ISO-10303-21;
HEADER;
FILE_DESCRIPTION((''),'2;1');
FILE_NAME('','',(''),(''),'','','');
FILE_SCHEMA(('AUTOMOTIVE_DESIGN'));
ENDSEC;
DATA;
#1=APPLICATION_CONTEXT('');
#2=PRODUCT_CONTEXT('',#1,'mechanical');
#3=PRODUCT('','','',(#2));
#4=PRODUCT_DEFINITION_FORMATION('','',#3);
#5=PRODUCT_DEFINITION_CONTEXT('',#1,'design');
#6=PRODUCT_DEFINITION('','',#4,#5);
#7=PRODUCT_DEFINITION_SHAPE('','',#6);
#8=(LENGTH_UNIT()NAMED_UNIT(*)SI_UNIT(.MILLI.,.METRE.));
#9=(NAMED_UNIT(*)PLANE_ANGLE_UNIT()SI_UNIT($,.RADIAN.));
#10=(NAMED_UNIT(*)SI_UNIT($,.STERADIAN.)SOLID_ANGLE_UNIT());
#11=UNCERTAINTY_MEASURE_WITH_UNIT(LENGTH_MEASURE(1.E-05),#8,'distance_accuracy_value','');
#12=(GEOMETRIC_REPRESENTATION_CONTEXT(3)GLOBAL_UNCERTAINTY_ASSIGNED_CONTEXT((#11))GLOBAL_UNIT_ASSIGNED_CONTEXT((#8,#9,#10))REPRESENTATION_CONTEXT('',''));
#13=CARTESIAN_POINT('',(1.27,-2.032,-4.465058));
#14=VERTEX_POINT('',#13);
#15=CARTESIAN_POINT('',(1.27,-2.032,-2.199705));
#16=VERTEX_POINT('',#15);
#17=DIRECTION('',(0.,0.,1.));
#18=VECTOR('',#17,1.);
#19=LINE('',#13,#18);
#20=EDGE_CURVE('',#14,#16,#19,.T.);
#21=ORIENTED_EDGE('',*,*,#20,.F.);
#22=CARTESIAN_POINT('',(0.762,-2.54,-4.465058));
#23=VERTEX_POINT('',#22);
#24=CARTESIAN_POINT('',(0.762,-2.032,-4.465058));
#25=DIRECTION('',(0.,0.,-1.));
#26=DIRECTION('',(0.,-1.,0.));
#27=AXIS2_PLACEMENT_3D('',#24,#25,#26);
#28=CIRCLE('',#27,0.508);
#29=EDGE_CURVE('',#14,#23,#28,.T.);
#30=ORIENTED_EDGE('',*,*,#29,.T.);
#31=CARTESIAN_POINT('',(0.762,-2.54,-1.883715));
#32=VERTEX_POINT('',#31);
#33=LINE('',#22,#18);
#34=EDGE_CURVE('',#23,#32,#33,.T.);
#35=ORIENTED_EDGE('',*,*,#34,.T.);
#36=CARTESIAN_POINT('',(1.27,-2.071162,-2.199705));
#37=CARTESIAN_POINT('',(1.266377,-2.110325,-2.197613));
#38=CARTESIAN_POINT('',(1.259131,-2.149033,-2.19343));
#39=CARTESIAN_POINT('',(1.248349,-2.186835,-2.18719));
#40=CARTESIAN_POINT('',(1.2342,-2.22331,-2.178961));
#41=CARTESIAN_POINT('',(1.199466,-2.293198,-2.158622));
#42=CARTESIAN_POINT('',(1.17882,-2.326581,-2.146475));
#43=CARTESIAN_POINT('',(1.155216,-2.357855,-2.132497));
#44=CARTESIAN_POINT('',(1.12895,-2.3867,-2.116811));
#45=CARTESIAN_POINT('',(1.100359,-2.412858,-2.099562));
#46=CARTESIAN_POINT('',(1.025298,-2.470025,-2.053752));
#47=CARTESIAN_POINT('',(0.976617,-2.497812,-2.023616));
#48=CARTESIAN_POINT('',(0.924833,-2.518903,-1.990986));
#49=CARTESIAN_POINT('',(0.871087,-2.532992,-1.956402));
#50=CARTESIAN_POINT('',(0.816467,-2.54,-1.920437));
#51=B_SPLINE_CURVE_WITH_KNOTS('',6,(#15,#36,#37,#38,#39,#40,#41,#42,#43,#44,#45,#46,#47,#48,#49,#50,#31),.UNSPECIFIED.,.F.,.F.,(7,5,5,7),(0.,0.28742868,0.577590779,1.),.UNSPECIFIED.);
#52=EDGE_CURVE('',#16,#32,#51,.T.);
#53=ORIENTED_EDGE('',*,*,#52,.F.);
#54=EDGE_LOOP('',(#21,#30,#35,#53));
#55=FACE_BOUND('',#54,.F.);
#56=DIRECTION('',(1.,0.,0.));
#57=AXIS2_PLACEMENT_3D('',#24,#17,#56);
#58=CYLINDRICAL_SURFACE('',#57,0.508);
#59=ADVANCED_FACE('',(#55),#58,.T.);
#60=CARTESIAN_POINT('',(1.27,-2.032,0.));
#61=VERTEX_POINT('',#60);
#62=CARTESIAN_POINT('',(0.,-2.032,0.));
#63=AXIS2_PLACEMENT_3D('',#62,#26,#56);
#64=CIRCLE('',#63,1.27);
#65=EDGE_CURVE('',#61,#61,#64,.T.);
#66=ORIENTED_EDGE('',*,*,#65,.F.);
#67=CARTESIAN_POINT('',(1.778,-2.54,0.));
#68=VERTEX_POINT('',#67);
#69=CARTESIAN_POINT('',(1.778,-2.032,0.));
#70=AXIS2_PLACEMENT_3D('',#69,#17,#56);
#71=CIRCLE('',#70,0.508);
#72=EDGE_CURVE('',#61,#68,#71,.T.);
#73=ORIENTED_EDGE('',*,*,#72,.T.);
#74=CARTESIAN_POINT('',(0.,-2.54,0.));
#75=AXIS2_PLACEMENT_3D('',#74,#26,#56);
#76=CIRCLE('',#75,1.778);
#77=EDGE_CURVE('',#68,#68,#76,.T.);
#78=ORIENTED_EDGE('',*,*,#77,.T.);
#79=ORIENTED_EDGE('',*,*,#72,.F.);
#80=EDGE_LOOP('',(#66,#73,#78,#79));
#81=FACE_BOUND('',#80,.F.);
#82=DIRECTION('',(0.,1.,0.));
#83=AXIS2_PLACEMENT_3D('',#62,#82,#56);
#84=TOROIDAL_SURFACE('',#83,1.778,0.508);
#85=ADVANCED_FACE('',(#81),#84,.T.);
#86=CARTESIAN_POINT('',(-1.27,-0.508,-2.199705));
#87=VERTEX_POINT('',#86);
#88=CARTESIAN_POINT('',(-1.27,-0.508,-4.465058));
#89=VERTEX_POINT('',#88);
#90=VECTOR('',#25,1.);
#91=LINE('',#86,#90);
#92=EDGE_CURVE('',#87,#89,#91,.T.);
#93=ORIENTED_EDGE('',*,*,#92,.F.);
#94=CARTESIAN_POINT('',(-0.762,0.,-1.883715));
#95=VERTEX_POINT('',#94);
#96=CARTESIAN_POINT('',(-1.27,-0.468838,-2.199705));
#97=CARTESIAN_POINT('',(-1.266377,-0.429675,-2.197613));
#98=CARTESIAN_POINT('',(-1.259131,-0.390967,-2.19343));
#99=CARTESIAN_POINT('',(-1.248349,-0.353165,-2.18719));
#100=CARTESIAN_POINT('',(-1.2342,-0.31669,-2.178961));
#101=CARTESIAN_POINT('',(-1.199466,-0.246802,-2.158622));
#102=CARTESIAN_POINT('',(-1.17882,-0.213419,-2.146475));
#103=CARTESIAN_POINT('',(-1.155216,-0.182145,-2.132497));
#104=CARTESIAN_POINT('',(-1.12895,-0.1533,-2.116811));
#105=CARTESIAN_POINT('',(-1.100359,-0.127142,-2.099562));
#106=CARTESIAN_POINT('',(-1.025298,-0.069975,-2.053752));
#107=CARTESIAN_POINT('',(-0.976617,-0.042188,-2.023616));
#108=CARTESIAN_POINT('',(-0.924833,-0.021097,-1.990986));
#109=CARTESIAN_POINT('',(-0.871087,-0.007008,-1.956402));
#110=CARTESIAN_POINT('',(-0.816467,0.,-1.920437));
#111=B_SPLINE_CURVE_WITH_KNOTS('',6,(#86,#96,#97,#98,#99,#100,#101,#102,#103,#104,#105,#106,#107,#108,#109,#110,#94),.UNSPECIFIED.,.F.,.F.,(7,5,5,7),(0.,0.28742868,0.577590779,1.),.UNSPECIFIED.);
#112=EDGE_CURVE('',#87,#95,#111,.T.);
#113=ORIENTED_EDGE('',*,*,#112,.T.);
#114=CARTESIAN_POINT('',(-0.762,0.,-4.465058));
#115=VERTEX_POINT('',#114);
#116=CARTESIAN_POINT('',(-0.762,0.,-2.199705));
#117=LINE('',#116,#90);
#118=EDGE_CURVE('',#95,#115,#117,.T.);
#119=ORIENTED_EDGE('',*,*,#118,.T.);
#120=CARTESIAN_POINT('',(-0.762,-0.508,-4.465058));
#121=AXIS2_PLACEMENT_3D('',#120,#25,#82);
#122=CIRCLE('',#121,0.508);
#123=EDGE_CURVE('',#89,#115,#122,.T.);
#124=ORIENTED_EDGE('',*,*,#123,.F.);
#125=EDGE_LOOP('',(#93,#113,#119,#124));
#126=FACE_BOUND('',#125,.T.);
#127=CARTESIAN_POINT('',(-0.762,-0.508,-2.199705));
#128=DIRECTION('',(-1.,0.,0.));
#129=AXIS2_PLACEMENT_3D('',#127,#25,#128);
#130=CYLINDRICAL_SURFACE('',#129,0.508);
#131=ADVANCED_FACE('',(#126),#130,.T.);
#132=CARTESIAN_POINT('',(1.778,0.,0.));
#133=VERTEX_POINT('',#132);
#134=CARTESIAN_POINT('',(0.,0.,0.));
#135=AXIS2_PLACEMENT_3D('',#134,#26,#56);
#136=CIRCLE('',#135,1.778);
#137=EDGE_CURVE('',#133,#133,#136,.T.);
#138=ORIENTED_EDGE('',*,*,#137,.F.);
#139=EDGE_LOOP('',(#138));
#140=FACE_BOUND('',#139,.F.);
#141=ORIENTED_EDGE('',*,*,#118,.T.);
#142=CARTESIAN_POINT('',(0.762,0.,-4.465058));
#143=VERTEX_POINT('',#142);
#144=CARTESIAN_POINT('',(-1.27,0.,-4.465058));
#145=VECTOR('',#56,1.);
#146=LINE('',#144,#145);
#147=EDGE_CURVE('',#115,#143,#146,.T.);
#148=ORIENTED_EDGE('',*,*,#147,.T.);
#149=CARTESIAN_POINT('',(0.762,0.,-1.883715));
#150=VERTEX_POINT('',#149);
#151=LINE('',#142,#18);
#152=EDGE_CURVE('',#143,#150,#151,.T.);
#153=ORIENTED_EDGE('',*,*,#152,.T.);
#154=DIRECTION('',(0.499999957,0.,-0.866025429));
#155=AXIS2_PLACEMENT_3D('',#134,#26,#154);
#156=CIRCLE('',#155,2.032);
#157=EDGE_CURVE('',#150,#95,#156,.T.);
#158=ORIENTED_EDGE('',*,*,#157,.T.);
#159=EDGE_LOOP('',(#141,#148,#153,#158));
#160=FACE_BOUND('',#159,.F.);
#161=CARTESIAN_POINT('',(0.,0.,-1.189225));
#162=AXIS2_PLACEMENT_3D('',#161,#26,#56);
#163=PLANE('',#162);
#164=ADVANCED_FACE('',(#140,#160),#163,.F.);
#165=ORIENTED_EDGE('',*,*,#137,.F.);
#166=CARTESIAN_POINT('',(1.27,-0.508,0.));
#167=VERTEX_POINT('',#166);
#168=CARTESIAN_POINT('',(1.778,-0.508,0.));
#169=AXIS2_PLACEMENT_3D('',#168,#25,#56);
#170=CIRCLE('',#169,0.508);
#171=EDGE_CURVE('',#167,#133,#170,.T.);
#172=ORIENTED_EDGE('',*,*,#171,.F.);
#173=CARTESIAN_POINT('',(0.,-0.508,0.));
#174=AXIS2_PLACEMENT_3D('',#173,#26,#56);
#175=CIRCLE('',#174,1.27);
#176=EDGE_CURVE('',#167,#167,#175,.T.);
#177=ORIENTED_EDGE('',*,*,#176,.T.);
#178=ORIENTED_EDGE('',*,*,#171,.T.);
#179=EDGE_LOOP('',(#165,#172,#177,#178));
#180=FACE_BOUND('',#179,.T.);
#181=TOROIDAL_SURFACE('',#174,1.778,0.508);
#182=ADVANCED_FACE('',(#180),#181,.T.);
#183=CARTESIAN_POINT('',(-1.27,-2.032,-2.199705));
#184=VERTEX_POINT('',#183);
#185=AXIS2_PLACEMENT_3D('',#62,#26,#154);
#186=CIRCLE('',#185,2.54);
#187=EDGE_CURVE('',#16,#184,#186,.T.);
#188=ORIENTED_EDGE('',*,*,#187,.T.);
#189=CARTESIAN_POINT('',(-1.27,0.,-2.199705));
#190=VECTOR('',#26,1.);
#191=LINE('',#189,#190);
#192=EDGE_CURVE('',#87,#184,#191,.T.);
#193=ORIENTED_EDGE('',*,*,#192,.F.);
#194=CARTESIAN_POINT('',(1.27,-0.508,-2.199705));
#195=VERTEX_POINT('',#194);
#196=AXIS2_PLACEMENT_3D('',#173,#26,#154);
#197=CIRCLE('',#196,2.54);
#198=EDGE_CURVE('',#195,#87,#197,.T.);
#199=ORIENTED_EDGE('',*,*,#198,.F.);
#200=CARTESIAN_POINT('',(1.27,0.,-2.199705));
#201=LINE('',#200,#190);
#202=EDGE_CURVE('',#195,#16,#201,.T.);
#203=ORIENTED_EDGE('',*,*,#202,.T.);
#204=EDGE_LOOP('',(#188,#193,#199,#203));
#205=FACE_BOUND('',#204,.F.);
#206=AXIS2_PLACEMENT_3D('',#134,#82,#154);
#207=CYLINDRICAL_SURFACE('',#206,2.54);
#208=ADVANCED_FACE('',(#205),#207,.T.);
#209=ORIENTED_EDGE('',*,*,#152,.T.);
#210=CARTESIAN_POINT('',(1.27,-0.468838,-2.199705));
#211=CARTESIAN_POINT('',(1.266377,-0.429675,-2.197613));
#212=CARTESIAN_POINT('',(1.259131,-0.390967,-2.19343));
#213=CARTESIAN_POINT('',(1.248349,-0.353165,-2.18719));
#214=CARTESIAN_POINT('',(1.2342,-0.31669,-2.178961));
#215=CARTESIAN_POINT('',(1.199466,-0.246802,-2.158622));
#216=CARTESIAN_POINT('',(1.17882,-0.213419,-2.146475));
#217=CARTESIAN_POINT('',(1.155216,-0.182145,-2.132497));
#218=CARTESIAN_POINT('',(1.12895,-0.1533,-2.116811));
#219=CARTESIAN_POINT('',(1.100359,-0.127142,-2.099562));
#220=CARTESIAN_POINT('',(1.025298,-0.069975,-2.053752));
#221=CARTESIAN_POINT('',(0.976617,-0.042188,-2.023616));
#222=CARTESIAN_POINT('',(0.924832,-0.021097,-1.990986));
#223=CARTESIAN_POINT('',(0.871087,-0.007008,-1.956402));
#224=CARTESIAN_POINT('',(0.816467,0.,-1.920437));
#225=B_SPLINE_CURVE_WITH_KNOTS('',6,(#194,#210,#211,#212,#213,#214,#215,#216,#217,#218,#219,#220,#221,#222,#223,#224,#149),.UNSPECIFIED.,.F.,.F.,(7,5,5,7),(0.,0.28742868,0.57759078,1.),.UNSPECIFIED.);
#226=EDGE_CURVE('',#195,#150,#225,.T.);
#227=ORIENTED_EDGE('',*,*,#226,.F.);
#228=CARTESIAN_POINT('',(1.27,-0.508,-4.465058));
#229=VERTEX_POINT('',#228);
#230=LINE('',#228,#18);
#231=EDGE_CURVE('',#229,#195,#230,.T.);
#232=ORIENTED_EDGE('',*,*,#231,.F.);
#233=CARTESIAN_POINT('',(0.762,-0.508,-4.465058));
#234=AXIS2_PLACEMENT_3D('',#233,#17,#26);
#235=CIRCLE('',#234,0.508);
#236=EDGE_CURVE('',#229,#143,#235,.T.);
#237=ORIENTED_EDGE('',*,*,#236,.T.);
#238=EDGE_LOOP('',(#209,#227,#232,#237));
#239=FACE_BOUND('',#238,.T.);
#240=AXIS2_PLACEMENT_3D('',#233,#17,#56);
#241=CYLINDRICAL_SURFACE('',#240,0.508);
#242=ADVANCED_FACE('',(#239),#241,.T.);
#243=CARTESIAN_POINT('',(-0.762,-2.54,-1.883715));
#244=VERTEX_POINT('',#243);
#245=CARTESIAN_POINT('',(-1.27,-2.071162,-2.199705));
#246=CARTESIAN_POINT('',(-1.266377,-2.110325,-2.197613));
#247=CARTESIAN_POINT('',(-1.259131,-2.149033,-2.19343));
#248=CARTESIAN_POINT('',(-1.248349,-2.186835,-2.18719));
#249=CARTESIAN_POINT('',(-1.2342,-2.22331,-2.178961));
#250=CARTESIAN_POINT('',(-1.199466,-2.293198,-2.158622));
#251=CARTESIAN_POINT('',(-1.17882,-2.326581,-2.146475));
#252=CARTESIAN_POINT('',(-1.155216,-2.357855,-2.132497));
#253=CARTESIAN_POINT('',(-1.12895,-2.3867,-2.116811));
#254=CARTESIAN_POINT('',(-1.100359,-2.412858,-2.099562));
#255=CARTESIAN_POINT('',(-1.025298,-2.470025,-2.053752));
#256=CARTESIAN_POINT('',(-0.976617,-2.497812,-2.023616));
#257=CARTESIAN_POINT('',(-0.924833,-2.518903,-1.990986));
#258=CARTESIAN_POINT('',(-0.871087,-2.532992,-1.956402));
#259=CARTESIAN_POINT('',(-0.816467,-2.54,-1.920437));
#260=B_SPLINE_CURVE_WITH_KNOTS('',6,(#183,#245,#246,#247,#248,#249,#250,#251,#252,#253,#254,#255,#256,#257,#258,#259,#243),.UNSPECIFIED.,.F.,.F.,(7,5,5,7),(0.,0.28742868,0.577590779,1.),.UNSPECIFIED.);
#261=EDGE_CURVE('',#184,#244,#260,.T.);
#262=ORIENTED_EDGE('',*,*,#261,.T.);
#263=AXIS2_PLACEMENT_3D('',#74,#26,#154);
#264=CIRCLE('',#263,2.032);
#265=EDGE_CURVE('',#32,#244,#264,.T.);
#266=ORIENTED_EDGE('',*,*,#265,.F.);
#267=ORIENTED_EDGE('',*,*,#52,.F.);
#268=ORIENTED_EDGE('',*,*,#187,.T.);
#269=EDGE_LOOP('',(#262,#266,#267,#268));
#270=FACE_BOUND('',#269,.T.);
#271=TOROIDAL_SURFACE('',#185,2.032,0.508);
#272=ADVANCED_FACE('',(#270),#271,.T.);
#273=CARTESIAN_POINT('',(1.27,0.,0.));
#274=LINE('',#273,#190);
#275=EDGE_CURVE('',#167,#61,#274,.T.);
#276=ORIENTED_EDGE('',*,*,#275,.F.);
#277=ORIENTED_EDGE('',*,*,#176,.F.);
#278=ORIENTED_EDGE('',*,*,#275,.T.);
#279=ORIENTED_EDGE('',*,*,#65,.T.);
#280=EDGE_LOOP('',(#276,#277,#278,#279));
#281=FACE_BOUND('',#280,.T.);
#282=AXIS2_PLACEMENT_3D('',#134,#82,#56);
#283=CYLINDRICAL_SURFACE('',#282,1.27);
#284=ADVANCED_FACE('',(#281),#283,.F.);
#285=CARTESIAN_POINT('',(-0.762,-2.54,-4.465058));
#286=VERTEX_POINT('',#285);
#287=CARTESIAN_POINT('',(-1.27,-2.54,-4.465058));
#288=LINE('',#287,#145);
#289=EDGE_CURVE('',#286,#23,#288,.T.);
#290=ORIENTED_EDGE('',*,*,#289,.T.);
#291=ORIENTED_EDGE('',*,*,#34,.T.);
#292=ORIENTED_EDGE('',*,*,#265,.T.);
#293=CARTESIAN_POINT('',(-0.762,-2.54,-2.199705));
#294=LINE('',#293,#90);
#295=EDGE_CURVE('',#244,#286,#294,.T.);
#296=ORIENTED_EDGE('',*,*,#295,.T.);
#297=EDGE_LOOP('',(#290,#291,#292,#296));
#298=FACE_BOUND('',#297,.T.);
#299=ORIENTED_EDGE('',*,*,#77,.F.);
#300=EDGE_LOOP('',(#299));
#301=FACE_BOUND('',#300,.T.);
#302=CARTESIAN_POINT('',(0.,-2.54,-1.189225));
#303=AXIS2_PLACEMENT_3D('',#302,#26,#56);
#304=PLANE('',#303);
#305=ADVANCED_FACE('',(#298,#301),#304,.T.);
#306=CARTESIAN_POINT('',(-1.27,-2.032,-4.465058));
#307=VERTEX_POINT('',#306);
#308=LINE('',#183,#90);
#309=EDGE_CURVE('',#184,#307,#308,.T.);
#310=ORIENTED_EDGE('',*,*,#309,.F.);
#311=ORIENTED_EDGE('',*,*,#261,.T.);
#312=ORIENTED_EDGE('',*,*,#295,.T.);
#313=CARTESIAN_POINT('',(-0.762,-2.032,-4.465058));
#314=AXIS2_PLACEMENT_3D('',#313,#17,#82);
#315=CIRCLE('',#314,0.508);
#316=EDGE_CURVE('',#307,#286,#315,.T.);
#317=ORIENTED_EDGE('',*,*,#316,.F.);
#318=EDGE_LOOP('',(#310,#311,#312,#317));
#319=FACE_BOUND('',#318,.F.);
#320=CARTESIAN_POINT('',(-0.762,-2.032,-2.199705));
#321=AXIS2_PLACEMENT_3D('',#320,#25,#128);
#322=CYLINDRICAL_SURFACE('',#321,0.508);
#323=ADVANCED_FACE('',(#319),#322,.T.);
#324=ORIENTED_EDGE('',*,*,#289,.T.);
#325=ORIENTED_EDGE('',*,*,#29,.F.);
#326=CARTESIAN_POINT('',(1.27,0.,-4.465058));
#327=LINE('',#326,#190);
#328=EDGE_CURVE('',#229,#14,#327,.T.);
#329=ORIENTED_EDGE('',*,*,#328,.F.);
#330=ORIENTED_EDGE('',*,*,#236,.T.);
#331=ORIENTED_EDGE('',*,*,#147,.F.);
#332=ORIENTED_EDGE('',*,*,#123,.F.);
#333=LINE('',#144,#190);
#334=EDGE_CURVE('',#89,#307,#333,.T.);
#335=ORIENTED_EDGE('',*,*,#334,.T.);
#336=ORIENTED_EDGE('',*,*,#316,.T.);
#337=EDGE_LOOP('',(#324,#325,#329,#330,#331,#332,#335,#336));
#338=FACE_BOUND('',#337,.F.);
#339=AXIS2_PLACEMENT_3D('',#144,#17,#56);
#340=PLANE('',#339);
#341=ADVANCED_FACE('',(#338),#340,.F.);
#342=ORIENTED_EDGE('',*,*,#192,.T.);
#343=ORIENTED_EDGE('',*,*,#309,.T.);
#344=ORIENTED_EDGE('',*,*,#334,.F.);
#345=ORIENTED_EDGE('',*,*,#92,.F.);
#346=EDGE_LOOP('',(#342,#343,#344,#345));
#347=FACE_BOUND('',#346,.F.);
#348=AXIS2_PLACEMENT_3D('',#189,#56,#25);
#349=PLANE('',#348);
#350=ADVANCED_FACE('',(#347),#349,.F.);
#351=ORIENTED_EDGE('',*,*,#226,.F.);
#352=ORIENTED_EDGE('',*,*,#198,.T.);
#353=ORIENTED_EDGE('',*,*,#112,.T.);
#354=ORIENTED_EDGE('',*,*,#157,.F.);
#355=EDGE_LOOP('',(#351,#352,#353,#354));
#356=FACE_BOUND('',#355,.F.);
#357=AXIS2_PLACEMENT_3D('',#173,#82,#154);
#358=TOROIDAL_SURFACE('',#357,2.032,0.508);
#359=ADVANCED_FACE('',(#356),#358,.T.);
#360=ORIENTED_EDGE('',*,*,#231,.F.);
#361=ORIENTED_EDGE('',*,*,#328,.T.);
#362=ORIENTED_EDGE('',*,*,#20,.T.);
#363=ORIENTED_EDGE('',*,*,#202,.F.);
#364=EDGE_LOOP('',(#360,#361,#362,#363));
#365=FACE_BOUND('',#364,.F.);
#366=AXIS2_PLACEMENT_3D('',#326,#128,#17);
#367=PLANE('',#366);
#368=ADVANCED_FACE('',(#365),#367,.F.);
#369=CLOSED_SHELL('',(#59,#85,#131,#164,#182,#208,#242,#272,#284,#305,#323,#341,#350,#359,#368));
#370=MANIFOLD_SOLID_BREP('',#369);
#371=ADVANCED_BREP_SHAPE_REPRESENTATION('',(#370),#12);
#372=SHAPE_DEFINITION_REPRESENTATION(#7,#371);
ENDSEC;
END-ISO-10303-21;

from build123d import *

# Parameters (mm, degrees)
F0_R     = 1.27
F1_DEPTH = 2.54
F2_R     = 0.508


with BuildPart() as f1:
    # F0 (on Front) → F1 (new body)
    with BuildSketch(Plane.XZ):
        with BuildLine():
            Line((1.27, -4.465058), (1.27, -2.199705))
            ThreePointArc((1.27, -2.199705), (0, 2.54), (-1.27, -2.199705))
            Line((-1.27, -2.199705), (-1.27, -4.465058))
            Line((-1.27, -4.465058), (1.27, -4.465058))
        make_face()
        Circle(F0_R, mode=Mode.SUBTRACT)
    extrude(amount=F1_DEPTH)

    # F2
    f2_edges = [f1.edges().sort_by_distance(p)[0] for p in [
        (-1.27, -2.54, 0),
        (0, -2.54, 2.54),
        (-1.27, -2.54, -3.332381),
        (1.27, -2.54, -3.332381),
        (-1.27, 0, 0),
        (0, 0, 2.54),
        (-1.27, 0, -3.332381),
        (1.27, 0, -3.332381),
    ]]
    fillet(f2_edges, radius=F2_R)


solid = f1.part
